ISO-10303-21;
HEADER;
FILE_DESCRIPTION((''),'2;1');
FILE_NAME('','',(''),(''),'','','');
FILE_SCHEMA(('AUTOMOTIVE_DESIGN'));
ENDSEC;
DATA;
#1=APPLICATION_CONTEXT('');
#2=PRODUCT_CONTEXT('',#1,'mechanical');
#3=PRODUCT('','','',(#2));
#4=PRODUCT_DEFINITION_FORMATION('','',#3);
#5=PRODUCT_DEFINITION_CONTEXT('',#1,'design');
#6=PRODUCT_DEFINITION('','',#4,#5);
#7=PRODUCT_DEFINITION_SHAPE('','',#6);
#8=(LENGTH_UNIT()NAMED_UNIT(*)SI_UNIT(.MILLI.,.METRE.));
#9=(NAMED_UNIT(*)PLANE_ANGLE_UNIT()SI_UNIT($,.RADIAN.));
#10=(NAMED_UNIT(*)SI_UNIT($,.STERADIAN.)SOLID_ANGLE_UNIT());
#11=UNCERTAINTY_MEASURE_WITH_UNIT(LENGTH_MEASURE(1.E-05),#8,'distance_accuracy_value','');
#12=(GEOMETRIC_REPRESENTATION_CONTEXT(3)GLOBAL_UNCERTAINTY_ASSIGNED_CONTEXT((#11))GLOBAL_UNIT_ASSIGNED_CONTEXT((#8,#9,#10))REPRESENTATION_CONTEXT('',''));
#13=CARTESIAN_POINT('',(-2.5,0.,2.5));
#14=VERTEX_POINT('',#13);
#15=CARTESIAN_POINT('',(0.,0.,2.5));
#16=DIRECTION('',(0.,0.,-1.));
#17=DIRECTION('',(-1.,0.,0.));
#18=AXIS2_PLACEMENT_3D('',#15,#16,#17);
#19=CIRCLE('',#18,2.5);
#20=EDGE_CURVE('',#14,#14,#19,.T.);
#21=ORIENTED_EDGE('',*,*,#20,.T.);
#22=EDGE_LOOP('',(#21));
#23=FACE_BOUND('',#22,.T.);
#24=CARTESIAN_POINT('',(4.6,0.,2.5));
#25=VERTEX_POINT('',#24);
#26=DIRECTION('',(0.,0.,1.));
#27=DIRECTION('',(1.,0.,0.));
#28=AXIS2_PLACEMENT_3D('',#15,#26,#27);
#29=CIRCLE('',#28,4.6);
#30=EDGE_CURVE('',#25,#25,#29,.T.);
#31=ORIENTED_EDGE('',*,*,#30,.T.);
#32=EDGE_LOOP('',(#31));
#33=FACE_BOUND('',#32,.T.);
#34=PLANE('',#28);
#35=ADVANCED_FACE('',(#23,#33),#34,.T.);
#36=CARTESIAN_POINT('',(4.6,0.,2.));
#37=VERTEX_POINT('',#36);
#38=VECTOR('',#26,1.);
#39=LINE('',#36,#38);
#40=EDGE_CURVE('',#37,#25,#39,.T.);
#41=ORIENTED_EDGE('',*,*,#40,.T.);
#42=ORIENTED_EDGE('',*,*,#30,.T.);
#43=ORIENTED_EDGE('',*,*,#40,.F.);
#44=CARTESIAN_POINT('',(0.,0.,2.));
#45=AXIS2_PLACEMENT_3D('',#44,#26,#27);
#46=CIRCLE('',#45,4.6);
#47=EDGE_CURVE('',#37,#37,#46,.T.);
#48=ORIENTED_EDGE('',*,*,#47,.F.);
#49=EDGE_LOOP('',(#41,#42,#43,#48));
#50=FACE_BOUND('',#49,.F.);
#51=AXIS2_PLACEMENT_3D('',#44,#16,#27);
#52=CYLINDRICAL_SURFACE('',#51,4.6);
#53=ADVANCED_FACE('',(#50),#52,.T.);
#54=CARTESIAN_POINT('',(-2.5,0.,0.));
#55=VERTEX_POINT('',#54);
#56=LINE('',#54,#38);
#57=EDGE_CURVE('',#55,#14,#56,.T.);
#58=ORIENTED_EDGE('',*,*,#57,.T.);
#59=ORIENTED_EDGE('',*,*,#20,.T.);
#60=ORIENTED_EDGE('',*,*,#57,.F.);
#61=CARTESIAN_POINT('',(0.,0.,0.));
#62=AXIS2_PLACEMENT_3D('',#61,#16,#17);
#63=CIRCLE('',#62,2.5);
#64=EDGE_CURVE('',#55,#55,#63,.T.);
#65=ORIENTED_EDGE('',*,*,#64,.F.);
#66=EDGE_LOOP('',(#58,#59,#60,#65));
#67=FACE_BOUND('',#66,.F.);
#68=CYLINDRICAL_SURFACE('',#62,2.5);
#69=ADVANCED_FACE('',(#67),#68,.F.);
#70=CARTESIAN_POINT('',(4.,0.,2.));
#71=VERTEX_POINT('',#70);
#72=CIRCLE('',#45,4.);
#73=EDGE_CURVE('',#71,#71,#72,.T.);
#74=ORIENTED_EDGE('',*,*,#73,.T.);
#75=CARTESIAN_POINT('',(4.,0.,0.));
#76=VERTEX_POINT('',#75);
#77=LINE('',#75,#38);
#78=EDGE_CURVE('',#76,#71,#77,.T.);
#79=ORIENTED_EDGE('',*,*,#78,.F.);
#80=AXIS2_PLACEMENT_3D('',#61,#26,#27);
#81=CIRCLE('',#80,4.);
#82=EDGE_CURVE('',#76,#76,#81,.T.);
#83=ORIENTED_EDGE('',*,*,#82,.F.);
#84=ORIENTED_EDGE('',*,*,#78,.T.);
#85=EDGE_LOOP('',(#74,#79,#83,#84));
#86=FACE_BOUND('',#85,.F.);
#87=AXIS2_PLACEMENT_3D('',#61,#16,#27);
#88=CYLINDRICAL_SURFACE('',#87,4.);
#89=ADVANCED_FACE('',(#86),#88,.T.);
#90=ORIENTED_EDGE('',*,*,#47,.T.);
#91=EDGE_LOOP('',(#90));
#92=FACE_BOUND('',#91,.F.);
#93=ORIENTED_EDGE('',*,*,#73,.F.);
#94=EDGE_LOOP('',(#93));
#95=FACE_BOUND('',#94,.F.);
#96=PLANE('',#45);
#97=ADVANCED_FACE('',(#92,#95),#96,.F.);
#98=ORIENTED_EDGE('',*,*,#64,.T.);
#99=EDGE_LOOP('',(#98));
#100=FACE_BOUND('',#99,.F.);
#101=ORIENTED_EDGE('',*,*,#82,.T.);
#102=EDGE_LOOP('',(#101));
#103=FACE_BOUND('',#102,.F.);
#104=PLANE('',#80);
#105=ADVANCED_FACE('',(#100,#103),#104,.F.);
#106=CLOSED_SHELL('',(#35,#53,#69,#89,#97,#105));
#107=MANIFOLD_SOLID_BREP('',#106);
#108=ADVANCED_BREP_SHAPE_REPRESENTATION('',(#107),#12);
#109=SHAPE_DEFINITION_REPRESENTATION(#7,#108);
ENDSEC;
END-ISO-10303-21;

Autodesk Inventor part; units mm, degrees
ref_plane "YZ Plane" through (0, 0, 0) normal (1, 0, 0) x (0, 1, 0)
ref_plane "XZ Plane" through (0, 0, 0) normal (0, 1, 0) x (-1, 0, 0)
ref_plane "XY Plane" through (0, 0, 0) normal (0, 0, 1) x (1, 0, 0)
sketch "Sketch1" plane through (0, 0, 0) normal (0, 0, 1) x (1, 0, 0)
  circle A0 centre (0, 0) radius 4
  dimension "d0" = 8
extrude "Extrusion1" add sketch "Sketch1" along normal blind 2
sketch "Sketch2" plane through (0, 0, 2) normal (0, 0, 1) x (1, 0, 0)
  circle A0 centre (0, 0) radius 2.5
  circle A1 centre (0, 0) radius 4.6
  dimension "d3" = 5
  dimension "d4" = 9.2
extrude "Extrusion2" add sketch "Sketch2" along normal blind 0.5 contours A0 | A1
sketch "Sketch3" plane through (0, 0, 0) normal (0, 0, -1) x (-1, 0, 0)
  circle A0 centre (0, 0) radius 2.5
  dimension "d7" = 5
extrude "Extrusion3" cut sketch "Sketch3" against normal blind 9
properties part number "Rotation End Cap"
